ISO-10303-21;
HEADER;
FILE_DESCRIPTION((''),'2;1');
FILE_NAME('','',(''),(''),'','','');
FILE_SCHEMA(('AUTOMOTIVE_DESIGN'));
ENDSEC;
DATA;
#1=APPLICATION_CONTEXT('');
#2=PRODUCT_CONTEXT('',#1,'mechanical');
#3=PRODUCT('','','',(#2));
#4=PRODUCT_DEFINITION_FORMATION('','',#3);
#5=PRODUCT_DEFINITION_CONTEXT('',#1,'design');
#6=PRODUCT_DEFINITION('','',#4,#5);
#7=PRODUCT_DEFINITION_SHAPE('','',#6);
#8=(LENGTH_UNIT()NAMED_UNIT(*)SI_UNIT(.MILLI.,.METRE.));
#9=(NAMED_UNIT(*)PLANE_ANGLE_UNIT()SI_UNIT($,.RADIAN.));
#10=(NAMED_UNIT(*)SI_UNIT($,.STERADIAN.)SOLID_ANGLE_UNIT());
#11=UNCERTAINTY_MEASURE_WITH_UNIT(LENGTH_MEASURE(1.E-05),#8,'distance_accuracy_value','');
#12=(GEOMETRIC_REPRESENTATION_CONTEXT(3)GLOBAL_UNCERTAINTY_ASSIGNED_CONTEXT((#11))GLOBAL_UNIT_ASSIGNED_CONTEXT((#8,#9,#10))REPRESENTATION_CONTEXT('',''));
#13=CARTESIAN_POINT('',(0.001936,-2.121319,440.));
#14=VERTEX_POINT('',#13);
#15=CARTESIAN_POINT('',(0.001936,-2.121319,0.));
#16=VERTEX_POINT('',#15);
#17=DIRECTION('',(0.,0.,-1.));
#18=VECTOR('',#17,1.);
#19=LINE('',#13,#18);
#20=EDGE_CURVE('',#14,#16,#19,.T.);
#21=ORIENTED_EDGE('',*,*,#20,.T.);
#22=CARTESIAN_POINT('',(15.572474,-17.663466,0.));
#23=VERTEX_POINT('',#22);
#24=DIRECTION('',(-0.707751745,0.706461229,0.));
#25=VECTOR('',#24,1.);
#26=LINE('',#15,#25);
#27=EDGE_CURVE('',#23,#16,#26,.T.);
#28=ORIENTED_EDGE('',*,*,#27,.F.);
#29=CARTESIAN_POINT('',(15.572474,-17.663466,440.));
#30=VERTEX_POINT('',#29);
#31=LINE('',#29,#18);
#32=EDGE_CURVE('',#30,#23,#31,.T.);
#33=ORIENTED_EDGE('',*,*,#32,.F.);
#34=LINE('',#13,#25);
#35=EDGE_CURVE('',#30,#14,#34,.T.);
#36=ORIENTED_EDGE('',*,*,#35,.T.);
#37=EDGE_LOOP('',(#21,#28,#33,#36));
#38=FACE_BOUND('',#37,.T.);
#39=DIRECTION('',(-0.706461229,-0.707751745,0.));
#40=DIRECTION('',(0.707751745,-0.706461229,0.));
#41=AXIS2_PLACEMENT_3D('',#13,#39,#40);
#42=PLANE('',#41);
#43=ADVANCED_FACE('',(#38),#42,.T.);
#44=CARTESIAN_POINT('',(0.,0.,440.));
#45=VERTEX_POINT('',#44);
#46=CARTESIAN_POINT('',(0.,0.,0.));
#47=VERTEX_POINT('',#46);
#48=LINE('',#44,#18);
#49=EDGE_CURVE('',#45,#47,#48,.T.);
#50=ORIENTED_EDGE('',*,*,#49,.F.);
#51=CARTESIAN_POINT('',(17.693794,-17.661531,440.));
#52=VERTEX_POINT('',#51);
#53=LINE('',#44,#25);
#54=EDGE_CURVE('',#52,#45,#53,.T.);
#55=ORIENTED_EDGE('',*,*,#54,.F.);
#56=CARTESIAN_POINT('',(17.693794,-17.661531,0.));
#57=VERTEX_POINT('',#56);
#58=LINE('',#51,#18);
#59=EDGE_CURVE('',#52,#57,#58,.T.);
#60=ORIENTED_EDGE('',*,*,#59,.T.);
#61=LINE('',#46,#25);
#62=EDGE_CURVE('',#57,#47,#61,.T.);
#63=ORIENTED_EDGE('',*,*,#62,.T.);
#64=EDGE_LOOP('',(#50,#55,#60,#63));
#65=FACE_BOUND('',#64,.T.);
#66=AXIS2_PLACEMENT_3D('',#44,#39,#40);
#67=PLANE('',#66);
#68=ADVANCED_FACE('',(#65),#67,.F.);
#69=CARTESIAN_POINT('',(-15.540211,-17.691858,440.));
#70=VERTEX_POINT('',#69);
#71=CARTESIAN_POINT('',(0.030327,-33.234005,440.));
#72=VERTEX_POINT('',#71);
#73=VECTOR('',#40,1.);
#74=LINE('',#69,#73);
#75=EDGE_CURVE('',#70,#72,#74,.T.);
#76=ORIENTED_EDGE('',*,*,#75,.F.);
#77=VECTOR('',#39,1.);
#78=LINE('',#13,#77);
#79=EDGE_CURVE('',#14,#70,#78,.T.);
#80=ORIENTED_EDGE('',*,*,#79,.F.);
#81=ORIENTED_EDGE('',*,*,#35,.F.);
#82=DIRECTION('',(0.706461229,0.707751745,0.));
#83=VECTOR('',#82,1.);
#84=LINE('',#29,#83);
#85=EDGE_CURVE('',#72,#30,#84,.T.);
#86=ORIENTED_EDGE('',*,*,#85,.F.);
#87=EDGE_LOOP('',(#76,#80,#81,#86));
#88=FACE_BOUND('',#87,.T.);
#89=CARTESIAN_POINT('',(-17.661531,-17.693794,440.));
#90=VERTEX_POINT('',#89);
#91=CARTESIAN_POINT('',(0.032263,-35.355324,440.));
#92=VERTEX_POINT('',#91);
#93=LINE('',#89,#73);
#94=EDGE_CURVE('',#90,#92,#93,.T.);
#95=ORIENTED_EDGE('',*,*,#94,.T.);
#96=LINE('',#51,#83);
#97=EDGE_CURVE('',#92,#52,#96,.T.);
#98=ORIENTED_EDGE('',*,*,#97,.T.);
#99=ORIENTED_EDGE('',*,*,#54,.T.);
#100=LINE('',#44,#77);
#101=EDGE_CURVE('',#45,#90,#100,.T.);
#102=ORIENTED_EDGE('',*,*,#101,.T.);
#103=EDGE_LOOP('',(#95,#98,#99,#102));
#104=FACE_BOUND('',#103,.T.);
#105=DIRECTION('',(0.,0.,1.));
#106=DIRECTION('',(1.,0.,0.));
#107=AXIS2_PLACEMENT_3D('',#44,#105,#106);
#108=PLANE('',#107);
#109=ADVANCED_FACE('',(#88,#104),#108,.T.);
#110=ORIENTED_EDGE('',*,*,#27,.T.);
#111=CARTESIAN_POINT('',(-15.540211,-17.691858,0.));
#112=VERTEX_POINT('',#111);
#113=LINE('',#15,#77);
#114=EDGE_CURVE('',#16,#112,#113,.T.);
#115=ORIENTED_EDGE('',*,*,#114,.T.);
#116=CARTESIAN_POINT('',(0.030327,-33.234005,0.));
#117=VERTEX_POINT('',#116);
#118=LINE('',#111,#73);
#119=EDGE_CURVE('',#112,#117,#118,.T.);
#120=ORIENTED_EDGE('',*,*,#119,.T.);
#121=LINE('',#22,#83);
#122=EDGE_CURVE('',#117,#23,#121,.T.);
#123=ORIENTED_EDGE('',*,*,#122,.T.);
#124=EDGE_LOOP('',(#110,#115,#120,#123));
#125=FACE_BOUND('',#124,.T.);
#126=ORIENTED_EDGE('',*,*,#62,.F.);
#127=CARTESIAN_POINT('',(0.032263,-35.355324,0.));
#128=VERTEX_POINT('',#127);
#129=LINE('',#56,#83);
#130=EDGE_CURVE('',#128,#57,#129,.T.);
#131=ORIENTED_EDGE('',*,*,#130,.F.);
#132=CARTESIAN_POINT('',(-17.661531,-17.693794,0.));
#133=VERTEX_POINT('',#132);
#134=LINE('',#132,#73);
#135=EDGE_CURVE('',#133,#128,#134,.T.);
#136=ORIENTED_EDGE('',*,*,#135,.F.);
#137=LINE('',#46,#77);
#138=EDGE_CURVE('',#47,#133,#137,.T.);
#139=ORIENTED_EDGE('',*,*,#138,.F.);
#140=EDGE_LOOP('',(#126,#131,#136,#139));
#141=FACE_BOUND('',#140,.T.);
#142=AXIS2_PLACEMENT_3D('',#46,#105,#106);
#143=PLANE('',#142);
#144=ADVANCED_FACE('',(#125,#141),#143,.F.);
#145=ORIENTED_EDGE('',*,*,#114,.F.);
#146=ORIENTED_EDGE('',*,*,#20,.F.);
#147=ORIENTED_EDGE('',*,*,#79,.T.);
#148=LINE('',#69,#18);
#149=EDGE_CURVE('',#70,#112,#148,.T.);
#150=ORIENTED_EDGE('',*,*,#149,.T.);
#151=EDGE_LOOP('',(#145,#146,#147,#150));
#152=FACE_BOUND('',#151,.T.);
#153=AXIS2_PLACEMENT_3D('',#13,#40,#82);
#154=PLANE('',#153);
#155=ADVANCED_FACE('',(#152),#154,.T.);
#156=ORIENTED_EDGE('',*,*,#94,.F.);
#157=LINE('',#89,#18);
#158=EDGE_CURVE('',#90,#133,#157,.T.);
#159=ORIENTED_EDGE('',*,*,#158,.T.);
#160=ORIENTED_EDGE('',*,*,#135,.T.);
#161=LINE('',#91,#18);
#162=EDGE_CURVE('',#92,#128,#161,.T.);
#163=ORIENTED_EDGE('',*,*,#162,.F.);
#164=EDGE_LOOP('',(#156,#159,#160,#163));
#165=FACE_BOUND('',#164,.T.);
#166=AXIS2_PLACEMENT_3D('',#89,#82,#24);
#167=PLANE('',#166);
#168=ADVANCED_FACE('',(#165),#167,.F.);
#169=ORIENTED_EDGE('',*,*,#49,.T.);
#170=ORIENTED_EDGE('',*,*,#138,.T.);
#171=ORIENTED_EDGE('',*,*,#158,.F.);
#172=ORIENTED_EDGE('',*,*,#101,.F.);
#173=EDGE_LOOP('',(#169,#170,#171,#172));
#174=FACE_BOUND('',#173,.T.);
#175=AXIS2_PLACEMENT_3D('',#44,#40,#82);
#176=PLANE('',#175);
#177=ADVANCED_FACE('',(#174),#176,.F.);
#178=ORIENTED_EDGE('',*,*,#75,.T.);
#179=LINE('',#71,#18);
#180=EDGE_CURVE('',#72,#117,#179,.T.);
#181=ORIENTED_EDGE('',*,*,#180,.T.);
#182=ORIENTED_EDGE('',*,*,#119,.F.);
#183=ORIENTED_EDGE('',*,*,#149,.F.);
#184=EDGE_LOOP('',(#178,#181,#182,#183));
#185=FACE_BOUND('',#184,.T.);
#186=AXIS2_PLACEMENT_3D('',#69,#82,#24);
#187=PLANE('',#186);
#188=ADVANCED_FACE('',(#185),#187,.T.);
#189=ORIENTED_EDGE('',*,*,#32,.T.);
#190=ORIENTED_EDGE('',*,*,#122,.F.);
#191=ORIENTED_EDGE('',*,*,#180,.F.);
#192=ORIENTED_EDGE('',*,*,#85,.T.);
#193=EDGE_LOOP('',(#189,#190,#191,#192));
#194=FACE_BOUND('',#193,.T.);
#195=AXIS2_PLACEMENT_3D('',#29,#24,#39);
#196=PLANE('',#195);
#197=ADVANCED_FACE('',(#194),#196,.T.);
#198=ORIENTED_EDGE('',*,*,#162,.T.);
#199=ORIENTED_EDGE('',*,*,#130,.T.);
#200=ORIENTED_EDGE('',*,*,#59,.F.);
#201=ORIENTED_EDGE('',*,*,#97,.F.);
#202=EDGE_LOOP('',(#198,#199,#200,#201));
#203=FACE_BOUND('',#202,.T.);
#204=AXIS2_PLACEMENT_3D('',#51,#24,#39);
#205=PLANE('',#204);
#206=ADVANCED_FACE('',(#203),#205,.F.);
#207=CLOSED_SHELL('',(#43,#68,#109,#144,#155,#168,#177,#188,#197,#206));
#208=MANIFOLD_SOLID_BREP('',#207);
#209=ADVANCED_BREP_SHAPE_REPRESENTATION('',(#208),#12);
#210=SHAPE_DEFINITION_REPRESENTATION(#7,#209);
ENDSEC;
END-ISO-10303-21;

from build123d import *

# Parameters (mm, degrees)
EXTRUDE_1_DEPTH = 440


with BuildPart() as part:
    # 草圖1 → 填料-伸長1 (new body)
    with BuildSketch(Plane.XY):
        Polygon((0, 0), (17.69379362, -17.661530719), (0.032262901, -35.355324339), (-17.661530719, -17.69379362), align=None)
        Polygon((0.001935774, -2.12131946), (-15.540211259, -17.691857846), (0.030327127, -33.234004879), (15.57247416, -17.663466493), align=None, mode=Mode.SUBTRACT)
    extrude(amount=EXTRUDE_1_DEPTH)


solid = part.part
